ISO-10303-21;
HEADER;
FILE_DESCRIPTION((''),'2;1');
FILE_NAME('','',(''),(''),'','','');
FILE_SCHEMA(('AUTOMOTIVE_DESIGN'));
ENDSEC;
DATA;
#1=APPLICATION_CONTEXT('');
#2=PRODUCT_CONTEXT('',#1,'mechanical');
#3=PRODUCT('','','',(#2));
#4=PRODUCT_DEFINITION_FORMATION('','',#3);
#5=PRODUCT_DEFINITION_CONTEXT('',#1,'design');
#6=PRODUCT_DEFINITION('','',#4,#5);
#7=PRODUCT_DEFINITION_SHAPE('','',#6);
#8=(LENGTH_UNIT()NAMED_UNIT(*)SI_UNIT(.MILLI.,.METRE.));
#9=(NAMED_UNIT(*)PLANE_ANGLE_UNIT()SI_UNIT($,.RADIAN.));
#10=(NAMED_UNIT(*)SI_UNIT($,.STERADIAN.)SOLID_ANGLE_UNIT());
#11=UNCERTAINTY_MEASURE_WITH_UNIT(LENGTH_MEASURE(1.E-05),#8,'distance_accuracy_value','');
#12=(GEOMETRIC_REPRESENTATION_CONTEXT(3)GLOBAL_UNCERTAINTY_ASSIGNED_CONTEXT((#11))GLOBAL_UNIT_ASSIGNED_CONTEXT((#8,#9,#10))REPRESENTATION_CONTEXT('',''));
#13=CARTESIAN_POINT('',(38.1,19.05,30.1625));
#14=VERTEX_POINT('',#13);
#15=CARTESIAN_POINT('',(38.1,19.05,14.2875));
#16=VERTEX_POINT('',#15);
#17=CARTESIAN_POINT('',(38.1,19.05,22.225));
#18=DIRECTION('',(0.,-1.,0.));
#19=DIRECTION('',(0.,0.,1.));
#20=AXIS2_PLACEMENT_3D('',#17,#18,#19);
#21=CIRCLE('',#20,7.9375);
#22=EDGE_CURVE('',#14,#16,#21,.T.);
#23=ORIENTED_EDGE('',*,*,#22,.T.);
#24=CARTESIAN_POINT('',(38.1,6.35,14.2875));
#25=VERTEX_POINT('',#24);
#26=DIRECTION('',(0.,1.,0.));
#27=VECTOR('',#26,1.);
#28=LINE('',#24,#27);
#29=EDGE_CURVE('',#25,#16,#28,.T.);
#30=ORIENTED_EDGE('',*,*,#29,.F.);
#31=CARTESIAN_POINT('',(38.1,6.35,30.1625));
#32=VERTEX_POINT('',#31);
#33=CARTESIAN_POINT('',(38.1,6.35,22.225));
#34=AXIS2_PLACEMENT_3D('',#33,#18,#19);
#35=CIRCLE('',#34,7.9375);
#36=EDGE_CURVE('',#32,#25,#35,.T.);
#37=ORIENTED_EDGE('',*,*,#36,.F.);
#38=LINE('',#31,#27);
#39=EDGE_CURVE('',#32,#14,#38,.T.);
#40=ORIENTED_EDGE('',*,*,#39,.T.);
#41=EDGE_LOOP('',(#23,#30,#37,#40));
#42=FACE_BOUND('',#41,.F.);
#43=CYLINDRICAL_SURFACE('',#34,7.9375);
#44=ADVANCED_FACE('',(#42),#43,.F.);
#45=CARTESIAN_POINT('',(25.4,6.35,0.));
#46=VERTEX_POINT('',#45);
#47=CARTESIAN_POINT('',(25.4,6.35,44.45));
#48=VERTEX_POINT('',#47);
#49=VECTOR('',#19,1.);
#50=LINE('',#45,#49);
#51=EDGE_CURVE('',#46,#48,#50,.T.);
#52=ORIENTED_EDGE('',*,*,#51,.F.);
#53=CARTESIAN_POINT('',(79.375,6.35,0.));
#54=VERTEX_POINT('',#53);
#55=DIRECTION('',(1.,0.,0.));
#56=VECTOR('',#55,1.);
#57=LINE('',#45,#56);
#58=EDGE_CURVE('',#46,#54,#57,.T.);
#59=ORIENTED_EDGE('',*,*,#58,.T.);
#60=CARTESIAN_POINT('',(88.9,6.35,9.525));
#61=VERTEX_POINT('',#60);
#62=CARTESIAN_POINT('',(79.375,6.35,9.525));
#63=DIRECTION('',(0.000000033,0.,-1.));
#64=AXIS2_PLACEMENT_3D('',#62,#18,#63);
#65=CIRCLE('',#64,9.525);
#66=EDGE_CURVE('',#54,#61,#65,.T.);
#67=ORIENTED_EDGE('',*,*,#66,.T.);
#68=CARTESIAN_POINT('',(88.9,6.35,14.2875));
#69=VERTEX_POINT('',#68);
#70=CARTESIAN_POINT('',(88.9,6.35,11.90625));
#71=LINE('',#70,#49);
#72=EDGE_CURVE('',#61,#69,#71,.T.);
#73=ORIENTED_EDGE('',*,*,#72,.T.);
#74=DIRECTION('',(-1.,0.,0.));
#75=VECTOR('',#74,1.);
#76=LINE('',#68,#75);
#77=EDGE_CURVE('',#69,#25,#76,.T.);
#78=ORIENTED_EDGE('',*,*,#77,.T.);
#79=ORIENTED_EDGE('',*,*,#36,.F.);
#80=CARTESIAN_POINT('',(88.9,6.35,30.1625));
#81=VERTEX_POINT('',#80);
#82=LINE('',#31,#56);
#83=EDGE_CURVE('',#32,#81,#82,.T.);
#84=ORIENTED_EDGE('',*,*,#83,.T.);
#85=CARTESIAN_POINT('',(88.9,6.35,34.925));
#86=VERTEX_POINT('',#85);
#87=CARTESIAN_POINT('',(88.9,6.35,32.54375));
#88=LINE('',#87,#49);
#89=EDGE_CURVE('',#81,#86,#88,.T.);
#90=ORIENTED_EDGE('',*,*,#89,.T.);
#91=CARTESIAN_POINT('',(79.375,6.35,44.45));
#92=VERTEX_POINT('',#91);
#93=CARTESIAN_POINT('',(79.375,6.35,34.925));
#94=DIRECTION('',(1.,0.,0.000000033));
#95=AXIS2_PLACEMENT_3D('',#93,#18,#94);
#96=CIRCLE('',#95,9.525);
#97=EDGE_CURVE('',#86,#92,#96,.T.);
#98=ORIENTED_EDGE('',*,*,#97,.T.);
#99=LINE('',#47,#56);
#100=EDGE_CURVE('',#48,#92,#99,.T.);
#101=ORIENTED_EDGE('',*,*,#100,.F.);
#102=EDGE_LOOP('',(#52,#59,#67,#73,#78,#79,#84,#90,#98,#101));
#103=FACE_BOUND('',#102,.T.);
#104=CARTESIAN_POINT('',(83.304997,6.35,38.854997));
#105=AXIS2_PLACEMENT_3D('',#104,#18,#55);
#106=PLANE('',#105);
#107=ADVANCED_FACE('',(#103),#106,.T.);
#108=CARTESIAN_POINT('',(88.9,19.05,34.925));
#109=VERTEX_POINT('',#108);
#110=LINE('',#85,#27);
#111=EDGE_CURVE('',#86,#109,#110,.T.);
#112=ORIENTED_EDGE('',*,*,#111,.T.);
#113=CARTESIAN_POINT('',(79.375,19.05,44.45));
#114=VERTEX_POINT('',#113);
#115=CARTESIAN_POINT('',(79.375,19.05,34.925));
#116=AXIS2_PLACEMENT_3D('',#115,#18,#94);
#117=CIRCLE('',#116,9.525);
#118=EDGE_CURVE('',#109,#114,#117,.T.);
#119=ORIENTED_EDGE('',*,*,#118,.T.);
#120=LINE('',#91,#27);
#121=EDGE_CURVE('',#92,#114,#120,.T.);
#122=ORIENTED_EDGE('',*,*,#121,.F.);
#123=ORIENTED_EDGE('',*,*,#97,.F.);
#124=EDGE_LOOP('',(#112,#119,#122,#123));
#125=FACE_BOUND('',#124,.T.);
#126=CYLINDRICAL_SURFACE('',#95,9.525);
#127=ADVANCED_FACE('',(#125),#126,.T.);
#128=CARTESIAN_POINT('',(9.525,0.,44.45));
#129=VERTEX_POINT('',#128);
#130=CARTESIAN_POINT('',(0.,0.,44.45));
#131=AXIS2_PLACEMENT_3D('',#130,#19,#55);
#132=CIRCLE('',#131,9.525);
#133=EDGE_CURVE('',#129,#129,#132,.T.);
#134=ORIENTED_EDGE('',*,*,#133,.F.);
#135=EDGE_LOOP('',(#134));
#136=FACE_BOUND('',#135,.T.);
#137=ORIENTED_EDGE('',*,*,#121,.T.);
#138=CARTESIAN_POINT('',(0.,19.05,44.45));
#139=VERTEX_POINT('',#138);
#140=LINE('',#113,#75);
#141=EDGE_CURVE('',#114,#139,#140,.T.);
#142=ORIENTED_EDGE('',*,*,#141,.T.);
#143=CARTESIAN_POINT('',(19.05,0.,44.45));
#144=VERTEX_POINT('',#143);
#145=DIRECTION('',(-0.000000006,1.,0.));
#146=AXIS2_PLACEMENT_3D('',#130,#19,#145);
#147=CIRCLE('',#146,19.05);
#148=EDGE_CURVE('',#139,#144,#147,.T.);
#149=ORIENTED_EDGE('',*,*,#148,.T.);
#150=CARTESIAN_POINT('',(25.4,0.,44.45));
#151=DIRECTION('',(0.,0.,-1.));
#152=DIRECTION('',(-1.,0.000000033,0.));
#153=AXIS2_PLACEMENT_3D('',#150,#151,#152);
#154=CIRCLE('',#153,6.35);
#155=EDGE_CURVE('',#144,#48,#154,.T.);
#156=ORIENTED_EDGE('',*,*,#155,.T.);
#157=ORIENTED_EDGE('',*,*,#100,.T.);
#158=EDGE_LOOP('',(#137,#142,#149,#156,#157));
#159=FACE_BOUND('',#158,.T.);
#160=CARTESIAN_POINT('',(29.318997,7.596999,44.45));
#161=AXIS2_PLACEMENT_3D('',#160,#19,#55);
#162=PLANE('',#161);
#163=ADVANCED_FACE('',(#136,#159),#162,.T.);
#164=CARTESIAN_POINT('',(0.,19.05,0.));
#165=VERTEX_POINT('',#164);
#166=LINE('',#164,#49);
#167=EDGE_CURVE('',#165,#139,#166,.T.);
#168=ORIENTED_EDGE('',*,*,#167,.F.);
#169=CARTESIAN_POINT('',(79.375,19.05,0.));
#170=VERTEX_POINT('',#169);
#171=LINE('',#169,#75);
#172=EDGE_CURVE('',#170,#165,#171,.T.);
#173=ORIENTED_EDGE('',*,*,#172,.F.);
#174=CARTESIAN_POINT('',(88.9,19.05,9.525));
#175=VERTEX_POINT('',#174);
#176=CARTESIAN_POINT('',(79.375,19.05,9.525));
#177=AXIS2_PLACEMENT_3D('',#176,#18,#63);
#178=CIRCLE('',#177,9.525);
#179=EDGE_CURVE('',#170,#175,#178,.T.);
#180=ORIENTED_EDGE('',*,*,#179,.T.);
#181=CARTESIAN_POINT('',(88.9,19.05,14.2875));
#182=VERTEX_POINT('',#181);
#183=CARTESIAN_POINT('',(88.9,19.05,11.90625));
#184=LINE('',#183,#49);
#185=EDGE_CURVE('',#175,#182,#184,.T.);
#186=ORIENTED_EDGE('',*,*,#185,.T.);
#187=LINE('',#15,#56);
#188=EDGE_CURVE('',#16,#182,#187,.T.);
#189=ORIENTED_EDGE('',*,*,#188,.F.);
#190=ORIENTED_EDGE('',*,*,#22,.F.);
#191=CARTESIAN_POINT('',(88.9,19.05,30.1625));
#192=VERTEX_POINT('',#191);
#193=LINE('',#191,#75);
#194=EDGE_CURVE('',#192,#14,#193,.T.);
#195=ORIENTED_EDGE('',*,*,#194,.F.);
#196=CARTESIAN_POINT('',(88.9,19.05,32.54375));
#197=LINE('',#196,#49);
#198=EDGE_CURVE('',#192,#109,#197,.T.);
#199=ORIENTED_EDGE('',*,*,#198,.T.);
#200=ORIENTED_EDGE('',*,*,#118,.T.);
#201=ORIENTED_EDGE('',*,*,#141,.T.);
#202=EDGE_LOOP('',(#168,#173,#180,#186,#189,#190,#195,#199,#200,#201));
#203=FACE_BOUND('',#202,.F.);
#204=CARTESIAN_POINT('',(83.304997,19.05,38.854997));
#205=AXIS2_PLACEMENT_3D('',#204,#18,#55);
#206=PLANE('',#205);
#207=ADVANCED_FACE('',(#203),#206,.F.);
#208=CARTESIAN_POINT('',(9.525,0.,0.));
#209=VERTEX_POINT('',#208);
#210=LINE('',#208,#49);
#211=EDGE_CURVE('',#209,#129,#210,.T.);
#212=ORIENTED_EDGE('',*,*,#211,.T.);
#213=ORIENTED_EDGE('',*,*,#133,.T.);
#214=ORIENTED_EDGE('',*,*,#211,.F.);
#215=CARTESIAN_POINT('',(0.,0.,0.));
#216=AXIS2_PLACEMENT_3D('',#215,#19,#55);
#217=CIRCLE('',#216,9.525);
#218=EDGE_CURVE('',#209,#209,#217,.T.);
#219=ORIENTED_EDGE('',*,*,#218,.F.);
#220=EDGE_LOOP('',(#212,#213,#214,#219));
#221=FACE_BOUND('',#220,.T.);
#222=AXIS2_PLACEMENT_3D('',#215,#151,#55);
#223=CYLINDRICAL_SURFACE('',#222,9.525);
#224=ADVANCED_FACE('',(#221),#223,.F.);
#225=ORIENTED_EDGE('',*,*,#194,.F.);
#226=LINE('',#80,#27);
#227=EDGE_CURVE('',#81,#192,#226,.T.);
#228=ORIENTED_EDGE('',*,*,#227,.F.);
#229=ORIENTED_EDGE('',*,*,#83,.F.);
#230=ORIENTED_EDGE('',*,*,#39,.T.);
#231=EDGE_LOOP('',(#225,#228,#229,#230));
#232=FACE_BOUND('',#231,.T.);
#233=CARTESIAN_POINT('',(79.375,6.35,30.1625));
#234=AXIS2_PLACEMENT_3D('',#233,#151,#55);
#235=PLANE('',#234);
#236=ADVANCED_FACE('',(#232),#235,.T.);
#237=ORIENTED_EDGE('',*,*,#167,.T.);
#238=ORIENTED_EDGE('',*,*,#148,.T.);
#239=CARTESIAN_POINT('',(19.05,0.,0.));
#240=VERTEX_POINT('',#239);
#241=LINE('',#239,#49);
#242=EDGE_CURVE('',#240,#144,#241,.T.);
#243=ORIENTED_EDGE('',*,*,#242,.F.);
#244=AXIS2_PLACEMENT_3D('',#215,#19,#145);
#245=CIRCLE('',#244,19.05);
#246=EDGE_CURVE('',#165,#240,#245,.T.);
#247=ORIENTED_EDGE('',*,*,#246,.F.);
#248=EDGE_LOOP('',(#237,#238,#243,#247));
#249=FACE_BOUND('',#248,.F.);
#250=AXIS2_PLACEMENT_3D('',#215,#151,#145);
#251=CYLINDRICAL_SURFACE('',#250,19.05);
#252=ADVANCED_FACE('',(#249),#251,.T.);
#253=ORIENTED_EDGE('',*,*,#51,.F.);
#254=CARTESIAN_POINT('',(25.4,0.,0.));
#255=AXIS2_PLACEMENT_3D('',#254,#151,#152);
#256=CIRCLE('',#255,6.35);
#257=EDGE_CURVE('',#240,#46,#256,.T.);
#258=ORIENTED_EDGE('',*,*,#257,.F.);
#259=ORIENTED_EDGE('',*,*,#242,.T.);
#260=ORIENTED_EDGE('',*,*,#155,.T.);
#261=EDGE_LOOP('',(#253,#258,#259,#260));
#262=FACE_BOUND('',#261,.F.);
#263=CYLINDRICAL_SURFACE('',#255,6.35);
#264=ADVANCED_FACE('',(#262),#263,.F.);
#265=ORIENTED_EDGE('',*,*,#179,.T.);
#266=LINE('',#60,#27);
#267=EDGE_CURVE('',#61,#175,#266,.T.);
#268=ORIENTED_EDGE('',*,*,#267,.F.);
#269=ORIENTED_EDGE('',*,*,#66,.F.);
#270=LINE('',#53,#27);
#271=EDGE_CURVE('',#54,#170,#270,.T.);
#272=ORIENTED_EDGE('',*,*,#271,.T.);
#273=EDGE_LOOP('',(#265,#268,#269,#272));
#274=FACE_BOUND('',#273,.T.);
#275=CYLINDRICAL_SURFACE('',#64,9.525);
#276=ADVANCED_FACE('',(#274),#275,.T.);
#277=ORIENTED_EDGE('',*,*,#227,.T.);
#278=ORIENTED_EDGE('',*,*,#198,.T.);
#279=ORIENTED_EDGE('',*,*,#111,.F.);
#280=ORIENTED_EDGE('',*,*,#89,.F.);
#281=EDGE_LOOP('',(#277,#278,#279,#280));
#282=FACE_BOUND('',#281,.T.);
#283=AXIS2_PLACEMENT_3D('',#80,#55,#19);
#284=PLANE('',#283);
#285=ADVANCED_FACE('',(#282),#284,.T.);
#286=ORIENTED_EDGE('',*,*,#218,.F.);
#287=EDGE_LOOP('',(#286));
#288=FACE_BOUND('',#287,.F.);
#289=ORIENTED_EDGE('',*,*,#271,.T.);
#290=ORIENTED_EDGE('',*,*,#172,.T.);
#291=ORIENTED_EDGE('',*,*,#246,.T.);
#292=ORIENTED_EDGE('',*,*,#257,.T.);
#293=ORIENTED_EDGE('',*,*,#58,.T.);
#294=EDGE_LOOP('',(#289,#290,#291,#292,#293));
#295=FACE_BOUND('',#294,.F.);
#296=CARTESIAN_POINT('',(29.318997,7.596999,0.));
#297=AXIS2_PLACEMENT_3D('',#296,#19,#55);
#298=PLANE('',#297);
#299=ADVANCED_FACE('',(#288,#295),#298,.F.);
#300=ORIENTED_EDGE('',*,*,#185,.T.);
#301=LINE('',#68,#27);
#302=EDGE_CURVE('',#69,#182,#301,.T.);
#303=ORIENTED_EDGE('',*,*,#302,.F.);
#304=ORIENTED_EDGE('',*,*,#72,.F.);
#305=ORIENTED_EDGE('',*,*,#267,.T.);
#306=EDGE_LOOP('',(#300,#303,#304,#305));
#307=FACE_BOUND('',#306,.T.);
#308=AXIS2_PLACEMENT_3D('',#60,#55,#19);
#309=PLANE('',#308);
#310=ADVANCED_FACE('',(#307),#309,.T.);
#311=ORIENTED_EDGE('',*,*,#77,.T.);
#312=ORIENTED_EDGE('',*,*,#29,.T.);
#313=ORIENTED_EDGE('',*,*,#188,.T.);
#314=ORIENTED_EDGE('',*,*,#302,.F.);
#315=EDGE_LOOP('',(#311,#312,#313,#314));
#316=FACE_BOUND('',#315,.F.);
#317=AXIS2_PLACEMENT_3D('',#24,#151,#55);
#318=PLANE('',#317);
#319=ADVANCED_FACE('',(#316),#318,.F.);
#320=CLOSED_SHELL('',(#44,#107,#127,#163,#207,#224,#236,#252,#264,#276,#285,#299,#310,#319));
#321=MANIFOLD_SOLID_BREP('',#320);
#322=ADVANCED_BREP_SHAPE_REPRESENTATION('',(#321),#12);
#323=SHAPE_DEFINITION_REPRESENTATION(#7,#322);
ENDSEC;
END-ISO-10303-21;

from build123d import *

# Parameters (mm, degrees)
F0_R     = 9.525
F1_DEPTH = 44.45
F2_W     = 9.525
F2_H     = 4.7625
F3_DEPTH = 12.7
F5_DEPTH = 12.7


with BuildPart() as f1:
    # F0 (on Top) → F1 (new body)
    with BuildSketch(Plane.XY):
        with BuildLine():
            Line((79.375, 19.05), (0, 19.05))
            ThreePointArc((0, 19.05), (-13.470384, -13.470384), (19.05, 0))
            ThreePointArc((19.05, 0), (20.909872, 4.490128), (25.4, 6.35))
            Line((25.4, 6.35), (79.375, 6.35))
            Line((79.375, 6.35), (79.375, 19.05))
        make_face()
        Circle(F0_R, mode=Mode.SUBTRACT)
    extrude(amount=F1_DEPTH)

    # F2 (on face) → F3 (join)
    with BuildSketch(Plane.XZ.offset(-6.35)):
        with BuildLine():
            Line((79.375, 34.925), (88.9, 34.925))
            ThreePointArc((88.9, 34.925), (86.110192, 41.660192), (79.375, 44.45))
            Line((79.375, 44.45), (79.375, 34.925))
        make_face()
        with Locations((84.1375, 32.54375)):
            Rectangle(F2_W, F2_H)
        with BuildLine():
            Line((79.375, 9.525), (79.375, 0))
            ThreePointArc((79.375, 0), (86.110192, 2.789808), (88.9, 9.525))
            Line((88.9, 9.525), (79.375, 9.525))
        make_face()
        with Locations((84.1375, 11.90625)):
            Rectangle(F2_W, F2_H)
    extrude(amount=-F3_DEPTH)

    # F4 (on face) → F5 (cut)
    with BuildSketch(Plane.XZ.offset(-6.35)):
        with BuildLine():
            Line((79.375, 30.1625), (38.1, 30.1625))
            ThreePointArc((38.1, 30.1625), (30.1625, 22.225), (38.1, 14.2875))
            Line((38.1, 14.2875), (79.375, 14.2875))
            Line((79.375, 14.2875), (79.375, 30.1625))
        make_face()
    extrude(amount=-F5_DEPTH, mode=Mode.SUBTRACT)


solid = f1.part
